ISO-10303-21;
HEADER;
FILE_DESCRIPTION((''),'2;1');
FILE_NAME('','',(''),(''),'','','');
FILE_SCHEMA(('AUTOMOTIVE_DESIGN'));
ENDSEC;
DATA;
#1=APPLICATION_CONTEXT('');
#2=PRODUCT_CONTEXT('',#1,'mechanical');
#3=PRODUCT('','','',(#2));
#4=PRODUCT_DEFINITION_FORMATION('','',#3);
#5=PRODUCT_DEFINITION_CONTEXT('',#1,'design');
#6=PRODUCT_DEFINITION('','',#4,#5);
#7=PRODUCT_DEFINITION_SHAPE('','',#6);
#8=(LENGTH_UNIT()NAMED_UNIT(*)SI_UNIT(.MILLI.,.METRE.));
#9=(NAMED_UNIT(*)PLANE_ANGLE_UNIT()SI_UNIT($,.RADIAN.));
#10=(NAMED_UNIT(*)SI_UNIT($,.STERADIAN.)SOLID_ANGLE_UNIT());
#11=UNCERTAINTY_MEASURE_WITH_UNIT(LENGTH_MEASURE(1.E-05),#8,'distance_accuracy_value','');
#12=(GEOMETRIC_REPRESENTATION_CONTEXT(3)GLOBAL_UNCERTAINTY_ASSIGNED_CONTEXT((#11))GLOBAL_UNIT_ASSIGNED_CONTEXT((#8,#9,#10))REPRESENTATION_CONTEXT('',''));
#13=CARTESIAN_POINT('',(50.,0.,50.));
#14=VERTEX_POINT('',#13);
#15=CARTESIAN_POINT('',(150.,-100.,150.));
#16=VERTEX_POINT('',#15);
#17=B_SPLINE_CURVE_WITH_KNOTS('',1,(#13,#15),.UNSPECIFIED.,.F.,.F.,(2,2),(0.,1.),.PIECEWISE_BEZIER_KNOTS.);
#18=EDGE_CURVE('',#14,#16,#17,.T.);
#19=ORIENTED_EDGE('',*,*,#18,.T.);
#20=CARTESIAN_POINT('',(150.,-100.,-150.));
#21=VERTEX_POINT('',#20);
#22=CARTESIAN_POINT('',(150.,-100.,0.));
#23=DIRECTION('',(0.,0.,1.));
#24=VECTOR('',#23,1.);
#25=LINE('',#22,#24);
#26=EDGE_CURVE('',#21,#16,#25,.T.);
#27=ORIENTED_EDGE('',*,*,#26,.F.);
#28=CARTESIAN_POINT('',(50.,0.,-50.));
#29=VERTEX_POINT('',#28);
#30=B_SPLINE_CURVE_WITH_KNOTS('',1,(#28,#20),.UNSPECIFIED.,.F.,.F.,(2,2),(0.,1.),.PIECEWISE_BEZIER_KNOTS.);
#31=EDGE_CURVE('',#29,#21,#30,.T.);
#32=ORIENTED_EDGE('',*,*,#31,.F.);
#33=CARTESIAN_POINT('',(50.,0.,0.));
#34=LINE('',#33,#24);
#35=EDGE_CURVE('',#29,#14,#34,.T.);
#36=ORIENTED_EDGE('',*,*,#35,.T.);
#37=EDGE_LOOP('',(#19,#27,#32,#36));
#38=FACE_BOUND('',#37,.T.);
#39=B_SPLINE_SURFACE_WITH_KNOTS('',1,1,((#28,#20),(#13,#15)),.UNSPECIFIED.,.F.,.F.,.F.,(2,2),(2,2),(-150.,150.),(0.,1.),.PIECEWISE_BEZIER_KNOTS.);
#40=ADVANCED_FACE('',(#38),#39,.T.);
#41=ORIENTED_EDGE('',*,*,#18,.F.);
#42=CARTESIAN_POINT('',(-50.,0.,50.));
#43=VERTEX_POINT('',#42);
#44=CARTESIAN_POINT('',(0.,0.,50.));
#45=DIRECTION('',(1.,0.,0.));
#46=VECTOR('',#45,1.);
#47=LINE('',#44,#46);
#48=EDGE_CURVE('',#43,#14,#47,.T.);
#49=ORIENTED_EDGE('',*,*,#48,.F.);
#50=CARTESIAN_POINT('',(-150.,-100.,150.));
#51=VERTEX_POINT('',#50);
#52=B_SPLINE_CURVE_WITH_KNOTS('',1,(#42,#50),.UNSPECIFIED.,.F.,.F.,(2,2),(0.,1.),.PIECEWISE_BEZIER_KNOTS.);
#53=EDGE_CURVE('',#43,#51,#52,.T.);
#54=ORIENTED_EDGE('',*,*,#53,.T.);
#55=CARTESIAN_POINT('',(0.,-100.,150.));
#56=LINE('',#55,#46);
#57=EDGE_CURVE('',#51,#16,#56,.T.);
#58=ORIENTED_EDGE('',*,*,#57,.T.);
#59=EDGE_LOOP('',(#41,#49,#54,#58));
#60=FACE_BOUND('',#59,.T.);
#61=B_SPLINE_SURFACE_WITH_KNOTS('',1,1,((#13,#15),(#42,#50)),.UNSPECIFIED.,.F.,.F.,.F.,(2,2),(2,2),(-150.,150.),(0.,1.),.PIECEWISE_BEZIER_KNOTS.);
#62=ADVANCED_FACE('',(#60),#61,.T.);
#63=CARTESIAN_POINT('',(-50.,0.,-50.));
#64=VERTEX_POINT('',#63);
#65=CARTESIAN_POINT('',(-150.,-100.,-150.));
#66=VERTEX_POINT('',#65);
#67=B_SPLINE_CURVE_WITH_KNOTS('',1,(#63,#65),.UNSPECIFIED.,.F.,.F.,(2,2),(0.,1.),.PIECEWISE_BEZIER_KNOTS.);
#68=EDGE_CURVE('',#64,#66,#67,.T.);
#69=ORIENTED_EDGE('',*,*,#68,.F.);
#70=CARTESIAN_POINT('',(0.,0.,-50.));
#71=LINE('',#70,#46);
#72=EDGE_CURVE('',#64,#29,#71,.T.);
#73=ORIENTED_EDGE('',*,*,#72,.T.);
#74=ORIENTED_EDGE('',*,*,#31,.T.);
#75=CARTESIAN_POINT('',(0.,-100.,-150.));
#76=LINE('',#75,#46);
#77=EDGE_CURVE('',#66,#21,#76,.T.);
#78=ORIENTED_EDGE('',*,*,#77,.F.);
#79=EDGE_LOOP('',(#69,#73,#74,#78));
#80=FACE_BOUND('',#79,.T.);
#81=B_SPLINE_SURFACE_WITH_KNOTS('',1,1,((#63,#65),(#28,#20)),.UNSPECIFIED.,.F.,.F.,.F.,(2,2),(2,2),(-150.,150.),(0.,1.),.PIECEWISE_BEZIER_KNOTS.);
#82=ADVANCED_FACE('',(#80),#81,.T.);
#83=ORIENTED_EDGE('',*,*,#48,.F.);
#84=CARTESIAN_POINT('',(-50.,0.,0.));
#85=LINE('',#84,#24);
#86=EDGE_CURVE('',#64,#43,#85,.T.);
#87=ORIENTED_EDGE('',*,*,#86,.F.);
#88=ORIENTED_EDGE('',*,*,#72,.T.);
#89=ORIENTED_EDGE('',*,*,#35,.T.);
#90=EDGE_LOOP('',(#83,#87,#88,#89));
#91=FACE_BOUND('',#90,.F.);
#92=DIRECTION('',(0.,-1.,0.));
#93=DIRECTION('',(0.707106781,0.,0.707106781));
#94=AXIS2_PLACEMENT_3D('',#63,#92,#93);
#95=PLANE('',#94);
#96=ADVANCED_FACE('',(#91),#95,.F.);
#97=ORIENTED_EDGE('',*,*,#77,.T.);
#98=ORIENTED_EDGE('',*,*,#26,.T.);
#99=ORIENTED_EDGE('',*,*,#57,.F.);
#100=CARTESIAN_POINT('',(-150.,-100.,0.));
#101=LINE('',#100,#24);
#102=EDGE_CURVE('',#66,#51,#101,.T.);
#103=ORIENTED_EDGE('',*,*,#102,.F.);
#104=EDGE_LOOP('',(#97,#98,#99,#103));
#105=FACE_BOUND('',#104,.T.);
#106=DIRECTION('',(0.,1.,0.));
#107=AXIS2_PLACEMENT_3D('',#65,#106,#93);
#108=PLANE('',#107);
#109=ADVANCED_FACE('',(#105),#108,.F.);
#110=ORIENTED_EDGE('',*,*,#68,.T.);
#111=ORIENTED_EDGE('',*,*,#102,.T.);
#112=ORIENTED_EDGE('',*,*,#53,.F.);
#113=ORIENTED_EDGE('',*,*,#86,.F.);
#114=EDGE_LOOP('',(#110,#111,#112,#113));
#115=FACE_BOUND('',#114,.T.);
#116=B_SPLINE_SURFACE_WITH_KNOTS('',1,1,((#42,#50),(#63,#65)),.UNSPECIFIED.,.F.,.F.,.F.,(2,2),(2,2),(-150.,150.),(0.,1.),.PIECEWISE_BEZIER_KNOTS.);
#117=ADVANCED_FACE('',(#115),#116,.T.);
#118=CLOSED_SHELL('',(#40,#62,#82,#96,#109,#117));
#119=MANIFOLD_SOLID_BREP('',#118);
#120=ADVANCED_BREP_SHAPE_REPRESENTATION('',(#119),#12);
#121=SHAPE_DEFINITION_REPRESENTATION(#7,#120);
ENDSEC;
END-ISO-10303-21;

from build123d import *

# Parameters (mm, degrees)
F0_W     = 100
F0_H     = 100
F1_DEPTH = 100
F1_TAPER = -45


with BuildPart() as f1:
    # F0 (on Front) → F1 (new body)
    with BuildSketch(Plane.XZ):
        Rectangle(F0_W, F0_H)
    extrude(amount=F1_DEPTH, taper=F1_TAPER)


solid = f1.part
